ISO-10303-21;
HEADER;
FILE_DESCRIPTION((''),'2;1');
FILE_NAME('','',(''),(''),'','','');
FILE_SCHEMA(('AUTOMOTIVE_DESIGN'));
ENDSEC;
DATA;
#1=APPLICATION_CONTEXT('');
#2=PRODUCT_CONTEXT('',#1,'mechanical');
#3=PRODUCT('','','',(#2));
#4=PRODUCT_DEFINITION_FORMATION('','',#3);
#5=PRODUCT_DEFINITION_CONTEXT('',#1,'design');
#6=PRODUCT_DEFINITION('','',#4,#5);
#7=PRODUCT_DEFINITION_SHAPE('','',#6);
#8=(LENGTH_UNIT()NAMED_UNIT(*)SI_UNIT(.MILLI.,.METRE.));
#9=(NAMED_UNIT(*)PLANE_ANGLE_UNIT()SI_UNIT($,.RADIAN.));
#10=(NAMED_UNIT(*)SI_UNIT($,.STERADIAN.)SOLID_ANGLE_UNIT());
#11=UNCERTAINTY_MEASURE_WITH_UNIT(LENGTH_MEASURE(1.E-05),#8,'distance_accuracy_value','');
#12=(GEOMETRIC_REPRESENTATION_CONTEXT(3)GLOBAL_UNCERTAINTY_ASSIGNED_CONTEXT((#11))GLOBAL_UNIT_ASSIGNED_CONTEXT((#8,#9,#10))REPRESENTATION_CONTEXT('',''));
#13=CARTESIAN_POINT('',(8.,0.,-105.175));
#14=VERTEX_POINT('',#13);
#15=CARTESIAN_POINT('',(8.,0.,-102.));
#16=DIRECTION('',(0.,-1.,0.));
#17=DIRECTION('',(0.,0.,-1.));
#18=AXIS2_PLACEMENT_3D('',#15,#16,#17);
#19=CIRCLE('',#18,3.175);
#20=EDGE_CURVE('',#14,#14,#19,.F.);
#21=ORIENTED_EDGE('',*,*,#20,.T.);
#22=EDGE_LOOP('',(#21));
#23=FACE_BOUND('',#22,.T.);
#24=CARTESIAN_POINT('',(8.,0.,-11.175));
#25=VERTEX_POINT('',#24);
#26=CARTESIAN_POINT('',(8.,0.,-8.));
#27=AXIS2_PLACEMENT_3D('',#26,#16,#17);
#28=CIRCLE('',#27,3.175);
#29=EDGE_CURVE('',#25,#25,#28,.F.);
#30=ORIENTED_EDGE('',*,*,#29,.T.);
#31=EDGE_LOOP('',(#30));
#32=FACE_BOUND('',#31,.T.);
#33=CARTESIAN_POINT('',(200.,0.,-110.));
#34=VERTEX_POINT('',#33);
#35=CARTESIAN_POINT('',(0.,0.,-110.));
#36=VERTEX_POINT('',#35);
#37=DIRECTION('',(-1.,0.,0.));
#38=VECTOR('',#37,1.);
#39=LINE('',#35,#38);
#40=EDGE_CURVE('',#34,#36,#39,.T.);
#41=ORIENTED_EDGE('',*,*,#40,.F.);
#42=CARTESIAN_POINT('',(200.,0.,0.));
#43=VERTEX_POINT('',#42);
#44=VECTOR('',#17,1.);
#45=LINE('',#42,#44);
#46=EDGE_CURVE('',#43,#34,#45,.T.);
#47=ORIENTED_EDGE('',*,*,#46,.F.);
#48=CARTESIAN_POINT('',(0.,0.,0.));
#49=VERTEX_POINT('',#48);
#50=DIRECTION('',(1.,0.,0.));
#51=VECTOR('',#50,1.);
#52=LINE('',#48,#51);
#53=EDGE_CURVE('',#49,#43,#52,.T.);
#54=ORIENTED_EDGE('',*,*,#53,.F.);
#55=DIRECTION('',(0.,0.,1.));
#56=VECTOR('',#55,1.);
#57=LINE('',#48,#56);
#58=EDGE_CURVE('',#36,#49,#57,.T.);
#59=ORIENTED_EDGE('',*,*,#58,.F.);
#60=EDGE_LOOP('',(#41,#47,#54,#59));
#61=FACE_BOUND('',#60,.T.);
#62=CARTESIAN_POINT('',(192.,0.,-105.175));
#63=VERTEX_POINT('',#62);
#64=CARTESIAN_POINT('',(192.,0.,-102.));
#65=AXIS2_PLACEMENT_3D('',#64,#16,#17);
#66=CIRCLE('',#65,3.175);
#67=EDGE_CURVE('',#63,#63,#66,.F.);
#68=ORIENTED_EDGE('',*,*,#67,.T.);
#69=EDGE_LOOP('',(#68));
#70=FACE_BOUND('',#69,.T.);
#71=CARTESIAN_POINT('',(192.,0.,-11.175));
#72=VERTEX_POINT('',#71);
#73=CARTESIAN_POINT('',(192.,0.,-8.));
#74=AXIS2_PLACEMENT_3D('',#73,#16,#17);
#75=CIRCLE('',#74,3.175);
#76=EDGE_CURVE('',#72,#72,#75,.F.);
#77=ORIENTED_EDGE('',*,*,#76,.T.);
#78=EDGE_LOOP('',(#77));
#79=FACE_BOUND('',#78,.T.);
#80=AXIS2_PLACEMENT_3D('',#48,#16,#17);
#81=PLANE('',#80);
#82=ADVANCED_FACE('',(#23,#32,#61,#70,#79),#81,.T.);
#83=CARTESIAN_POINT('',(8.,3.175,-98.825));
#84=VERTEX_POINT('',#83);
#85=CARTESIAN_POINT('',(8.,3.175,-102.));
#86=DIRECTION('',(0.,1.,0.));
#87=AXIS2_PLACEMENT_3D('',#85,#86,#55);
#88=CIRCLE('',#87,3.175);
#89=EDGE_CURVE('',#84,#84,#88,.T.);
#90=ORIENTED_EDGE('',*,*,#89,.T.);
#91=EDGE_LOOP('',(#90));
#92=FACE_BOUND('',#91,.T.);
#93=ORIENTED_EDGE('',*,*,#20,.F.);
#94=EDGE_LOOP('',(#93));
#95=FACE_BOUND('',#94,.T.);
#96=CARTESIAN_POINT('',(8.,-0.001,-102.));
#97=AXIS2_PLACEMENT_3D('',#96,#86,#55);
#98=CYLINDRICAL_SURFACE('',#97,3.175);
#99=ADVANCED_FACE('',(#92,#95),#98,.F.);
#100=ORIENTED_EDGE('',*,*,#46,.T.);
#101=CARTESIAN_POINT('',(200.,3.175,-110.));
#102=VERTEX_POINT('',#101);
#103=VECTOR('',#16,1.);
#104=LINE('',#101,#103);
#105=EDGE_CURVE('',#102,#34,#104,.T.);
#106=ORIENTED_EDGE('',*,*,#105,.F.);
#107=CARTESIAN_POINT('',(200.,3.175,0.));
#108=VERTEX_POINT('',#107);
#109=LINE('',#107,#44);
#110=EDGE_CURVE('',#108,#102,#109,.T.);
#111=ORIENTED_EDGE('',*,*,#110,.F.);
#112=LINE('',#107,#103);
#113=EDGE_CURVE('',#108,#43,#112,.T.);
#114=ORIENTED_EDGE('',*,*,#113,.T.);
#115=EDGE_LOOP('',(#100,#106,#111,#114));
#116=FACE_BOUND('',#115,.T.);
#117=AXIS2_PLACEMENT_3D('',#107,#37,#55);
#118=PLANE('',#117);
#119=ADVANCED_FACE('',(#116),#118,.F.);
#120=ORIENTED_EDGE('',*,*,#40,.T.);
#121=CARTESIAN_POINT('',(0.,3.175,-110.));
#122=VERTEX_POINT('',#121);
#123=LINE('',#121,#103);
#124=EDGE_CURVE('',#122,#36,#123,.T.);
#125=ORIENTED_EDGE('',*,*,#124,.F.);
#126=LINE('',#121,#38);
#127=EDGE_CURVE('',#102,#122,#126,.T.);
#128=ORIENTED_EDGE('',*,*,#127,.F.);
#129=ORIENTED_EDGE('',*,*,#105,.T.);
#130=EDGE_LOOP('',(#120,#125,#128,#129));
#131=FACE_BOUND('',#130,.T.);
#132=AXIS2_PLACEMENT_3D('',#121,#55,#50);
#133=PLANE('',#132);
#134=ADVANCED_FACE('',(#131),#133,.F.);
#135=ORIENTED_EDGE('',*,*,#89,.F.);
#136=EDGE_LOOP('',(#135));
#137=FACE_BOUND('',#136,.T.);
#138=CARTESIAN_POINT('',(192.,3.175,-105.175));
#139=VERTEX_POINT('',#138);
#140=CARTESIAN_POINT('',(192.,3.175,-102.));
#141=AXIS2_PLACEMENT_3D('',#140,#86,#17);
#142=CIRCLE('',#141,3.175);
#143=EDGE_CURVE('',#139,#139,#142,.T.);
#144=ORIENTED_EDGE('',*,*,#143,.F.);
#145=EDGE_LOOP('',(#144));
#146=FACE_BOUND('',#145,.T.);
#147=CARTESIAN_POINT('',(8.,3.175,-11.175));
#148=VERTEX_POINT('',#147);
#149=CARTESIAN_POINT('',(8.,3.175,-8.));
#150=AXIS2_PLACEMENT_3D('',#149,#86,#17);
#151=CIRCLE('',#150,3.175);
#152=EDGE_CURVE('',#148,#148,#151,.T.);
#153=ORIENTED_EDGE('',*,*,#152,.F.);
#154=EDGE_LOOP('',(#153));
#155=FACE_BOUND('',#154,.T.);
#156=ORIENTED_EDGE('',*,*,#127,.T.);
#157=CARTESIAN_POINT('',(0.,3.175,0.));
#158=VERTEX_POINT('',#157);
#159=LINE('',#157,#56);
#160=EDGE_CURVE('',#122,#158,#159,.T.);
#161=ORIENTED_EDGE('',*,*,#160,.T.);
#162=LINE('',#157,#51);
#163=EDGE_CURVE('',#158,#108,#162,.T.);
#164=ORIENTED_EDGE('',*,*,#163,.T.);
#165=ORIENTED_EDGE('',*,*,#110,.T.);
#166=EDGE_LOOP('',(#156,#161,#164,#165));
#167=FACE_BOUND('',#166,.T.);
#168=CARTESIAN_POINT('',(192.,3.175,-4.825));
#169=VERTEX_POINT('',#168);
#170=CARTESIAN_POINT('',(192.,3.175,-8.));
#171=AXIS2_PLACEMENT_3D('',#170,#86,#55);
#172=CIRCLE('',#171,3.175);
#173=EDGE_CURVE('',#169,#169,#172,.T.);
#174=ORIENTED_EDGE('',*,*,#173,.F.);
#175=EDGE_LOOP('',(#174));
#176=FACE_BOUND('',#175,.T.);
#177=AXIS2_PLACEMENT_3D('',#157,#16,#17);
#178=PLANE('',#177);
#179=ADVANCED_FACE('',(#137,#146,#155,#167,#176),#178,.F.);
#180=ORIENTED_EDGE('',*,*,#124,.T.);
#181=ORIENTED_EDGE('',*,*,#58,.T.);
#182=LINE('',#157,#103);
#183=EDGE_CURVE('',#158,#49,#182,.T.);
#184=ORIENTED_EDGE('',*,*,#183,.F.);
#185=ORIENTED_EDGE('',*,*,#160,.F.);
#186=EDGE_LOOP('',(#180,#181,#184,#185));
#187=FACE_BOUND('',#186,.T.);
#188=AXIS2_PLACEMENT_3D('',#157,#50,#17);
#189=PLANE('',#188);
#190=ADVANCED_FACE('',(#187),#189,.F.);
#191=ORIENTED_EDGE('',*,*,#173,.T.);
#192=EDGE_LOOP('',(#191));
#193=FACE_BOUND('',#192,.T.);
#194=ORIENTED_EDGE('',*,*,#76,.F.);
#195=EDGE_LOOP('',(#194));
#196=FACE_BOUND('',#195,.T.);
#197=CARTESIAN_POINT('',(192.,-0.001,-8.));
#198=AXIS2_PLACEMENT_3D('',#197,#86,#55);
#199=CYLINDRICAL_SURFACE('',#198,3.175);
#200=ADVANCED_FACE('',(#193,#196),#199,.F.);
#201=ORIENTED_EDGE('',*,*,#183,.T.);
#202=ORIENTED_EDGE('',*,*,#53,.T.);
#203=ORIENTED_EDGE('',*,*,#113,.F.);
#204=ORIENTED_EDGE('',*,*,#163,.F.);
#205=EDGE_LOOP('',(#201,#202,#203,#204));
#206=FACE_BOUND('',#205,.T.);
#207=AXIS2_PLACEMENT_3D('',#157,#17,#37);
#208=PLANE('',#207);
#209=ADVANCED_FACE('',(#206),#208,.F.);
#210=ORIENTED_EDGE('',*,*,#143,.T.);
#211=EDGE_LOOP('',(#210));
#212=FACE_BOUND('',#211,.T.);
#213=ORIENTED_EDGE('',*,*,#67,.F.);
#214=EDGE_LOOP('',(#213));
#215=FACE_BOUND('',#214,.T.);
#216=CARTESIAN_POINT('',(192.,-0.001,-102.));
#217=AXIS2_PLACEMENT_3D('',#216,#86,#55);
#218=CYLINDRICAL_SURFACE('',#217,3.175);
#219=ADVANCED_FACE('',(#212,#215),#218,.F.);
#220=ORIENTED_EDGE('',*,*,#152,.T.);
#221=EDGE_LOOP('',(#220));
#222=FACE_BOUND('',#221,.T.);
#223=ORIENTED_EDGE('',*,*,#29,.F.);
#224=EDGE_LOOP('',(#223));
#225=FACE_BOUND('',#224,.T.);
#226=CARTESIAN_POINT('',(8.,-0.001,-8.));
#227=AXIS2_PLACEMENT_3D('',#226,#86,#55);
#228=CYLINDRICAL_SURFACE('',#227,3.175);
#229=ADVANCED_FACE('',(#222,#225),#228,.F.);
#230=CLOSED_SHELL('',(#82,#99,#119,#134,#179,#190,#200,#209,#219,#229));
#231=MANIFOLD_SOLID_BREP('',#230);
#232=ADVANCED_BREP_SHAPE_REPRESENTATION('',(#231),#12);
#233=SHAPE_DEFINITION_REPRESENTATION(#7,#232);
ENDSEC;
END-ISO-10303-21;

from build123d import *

# Parameters (mm, degrees)
SKETCH1_W           = 200
SKETCH1_H           = 110
BOSS_EXTRUDE1_DEPTH = 3.175
CUT_EXTRUDE1_REACH  = 5.175
SKETCH2_R           = 3.175


with BuildPart() as part:
    # Sketch1 → Boss-Extrude1 (new body)
    with BuildSketch(Plane(origin=(0, 0, 0), x_dir=(1, 0, 0), z_dir=(0, 1, 0))):
        with Locations((100, 55)):
            Rectangle(SKETCH1_W, SKETCH1_H)
    extrude(amount=BOSS_EXTRUDE1_DEPTH)

    # Sketch2 → Cut-Extrude1 (cut, up to next)
    with BuildSketch(Plane(origin=(0, 3.175, 0), x_dir=(1, 0, 0), z_dir=(0, 1, 0)), mode=Mode.PRIVATE) as cut_extrude1_sk1:
        with Locations((8, 102)):
            Circle(SKETCH2_R)
    cut_extrude1_tool1 = extrude(cut_extrude1_sk1.sketch, amount=-CUT_EXTRUDE1_REACH, mode=Mode.PRIVATE) & part.part
    add(cut_extrude1_tool1.solids().sort_by_distance((8, 3.175, -102))[0], mode=Mode.SUBTRACT)
    # Sketch2 → Cut-Extrude1 (cut, up to next)
    with BuildSketch(Plane(origin=(0, 3.175, 0), x_dir=(1, 0, 0), z_dir=(0, 1, 0)), mode=Mode.PRIVATE) as cut_extrude1_sk2:
        with Locations((192, 102)):
            Circle(SKETCH2_R)
    cut_extrude1_tool2 = extrude(cut_extrude1_sk2.sketch, amount=-CUT_EXTRUDE1_REACH, mode=Mode.PRIVATE) & part.part
    add(cut_extrude1_tool2.solids().sort_by_distance((192, 3.175, -102))[0], mode=Mode.SUBTRACT)
    # Sketch2 → Cut-Extrude1 (cut, up to next)
    with BuildSketch(Plane(origin=(0, 3.175, 0), x_dir=(1, 0, 0), z_dir=(0, 1, 0)), mode=Mode.PRIVATE) as cut_extrude1_sk3:
        with Locations((192, 8)):
            Circle(SKETCH2_R)
    cut_extrude1_tool3 = extrude(cut_extrude1_sk3.sketch, amount=-CUT_EXTRUDE1_REACH, mode=Mode.PRIVATE) & part.part
    add(cut_extrude1_tool3.solids().sort_by_distance((192, 3.175, -8))[0], mode=Mode.SUBTRACT)
    # Sketch2 → Cut-Extrude1 (cut, up to next)
    with BuildSketch(Plane(origin=(0, 3.175, 0), x_dir=(1, 0, 0), z_dir=(0, 1, 0)), mode=Mode.PRIVATE) as cut_extrude1_sk4:
        with Locations((8, 8)):
            Circle(SKETCH2_R)
    cut_extrude1_tool4 = extrude(cut_extrude1_sk4.sketch, amount=-CUT_EXTRUDE1_REACH, mode=Mode.PRIVATE) & part.part
    add(cut_extrude1_tool4.solids().sort_by_distance((8, 3.175, -8))[0], mode=Mode.SUBTRACT)


solid = part.part
